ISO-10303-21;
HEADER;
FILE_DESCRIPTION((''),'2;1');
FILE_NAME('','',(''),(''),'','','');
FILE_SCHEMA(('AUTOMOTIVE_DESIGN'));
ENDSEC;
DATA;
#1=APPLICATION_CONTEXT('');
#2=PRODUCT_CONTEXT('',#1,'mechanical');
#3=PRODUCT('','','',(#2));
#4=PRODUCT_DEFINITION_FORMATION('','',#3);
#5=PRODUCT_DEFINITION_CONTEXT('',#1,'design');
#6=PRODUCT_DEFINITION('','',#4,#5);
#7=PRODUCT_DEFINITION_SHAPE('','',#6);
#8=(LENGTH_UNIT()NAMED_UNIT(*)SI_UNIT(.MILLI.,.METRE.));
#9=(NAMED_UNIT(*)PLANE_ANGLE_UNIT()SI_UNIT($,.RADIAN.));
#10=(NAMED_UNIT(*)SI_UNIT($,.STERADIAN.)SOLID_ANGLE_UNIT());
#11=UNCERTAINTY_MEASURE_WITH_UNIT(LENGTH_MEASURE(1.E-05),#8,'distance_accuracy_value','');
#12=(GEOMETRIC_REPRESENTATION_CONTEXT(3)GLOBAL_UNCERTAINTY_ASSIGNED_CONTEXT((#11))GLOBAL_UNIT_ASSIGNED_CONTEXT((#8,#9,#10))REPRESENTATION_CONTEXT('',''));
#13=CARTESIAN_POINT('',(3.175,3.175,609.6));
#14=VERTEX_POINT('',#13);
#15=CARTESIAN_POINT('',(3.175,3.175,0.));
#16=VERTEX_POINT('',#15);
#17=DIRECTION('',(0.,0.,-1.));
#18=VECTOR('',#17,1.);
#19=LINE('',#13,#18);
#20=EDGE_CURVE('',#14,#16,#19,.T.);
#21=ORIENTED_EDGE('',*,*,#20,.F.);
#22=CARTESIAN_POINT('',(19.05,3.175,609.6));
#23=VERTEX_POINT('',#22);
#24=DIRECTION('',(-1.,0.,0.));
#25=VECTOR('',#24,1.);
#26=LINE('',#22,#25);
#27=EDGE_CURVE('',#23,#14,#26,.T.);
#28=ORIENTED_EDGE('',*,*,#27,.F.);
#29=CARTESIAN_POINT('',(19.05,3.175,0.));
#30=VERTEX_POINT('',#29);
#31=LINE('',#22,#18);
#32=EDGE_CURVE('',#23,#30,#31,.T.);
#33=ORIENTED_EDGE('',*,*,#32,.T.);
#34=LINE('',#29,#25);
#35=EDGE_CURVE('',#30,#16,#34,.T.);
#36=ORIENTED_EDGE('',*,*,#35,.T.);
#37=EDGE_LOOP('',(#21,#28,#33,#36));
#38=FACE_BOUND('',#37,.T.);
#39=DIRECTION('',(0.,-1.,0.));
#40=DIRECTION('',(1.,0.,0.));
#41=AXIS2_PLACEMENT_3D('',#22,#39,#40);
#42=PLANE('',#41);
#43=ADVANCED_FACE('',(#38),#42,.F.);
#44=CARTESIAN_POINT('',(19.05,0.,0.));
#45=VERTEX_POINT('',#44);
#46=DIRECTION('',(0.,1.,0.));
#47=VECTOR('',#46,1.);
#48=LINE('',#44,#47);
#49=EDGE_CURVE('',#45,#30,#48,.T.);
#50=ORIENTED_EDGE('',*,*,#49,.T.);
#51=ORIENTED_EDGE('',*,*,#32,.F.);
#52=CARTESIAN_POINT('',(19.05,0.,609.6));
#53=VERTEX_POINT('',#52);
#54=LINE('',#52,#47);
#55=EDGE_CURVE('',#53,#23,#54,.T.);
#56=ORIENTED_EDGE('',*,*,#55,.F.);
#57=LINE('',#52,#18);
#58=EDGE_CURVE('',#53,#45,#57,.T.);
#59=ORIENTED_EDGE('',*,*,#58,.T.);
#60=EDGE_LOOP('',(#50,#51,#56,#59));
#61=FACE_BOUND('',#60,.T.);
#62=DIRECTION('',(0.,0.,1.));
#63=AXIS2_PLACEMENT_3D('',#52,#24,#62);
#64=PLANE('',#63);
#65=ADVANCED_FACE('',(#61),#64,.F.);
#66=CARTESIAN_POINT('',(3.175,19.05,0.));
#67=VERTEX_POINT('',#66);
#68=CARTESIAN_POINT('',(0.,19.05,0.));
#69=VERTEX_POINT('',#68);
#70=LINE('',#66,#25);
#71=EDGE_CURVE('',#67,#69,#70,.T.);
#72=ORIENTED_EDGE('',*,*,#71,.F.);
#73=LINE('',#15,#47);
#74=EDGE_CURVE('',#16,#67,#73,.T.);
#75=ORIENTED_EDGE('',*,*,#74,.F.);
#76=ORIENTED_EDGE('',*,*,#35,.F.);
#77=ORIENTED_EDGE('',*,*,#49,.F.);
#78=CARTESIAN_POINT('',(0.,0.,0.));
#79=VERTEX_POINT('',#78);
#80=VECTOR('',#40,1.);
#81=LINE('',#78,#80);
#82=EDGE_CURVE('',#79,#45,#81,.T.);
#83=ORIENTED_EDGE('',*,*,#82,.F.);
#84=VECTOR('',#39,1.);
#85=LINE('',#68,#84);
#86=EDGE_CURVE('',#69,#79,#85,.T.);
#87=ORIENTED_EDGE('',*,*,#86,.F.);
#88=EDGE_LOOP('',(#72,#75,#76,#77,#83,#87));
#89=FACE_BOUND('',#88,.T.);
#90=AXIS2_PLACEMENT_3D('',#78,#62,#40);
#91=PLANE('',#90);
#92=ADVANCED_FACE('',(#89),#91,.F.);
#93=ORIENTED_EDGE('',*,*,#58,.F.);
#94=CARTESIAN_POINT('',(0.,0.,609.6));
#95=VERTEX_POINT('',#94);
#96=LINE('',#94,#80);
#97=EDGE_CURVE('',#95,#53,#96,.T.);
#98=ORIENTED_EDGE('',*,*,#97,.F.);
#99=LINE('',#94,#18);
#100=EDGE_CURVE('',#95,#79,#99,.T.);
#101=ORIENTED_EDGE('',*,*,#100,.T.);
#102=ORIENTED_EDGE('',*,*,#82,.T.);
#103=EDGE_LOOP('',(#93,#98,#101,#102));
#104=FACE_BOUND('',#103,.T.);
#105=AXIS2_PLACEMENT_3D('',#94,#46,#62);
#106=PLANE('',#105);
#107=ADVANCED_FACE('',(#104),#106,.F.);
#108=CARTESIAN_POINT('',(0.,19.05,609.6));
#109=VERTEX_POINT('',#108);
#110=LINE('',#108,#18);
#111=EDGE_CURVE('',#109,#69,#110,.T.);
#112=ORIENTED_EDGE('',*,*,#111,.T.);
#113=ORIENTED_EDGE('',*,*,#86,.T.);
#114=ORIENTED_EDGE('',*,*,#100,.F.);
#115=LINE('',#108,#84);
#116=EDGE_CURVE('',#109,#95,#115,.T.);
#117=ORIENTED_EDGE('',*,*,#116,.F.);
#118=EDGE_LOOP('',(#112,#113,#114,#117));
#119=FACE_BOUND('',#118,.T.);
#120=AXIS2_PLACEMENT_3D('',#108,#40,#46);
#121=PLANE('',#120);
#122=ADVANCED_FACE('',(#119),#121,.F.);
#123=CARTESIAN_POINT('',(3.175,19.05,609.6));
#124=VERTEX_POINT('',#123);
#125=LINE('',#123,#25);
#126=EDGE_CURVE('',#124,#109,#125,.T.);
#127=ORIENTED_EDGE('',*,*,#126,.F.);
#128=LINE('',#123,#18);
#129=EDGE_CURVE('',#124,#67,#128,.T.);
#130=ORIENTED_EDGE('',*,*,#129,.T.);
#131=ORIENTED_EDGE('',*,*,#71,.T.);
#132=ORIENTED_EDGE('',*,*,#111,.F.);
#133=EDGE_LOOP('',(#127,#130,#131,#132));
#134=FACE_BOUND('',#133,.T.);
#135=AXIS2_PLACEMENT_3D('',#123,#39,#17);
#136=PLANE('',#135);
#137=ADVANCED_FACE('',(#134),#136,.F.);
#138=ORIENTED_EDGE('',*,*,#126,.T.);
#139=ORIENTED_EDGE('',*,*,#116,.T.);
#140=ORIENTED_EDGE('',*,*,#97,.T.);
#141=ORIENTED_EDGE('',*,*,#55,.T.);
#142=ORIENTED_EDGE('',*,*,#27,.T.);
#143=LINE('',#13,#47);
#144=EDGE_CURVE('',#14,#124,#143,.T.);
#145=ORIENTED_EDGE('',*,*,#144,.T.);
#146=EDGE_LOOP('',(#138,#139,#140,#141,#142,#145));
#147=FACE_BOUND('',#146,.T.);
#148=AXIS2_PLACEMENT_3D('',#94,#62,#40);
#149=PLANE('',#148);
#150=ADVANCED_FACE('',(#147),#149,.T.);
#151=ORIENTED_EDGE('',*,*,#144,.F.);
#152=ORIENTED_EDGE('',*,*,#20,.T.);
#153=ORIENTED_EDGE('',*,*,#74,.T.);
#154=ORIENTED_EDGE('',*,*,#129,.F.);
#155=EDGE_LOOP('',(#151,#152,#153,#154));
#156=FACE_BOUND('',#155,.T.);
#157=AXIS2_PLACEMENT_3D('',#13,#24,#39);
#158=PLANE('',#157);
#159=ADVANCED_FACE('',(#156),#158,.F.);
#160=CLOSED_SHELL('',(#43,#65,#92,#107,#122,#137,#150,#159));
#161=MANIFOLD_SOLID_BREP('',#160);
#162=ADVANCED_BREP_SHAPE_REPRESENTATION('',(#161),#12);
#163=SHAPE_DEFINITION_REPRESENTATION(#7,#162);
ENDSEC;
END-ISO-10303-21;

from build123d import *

# Parameters (mm, degrees)
BOSS_EXTRUDE1_DEPTH = 609.6


with BuildPart() as part:
    # Sketch1 → Boss-Extrude1 (new body)
    with BuildSketch(Plane.XY):
        Polygon((0, 0), (19.05, 0), (19.05, 3.175), (3.175, 3.175), (3.175, 19.05), (0, 19.05), align=None)
    extrude(amount=BOSS_EXTRUDE1_DEPTH)


solid = part.part
